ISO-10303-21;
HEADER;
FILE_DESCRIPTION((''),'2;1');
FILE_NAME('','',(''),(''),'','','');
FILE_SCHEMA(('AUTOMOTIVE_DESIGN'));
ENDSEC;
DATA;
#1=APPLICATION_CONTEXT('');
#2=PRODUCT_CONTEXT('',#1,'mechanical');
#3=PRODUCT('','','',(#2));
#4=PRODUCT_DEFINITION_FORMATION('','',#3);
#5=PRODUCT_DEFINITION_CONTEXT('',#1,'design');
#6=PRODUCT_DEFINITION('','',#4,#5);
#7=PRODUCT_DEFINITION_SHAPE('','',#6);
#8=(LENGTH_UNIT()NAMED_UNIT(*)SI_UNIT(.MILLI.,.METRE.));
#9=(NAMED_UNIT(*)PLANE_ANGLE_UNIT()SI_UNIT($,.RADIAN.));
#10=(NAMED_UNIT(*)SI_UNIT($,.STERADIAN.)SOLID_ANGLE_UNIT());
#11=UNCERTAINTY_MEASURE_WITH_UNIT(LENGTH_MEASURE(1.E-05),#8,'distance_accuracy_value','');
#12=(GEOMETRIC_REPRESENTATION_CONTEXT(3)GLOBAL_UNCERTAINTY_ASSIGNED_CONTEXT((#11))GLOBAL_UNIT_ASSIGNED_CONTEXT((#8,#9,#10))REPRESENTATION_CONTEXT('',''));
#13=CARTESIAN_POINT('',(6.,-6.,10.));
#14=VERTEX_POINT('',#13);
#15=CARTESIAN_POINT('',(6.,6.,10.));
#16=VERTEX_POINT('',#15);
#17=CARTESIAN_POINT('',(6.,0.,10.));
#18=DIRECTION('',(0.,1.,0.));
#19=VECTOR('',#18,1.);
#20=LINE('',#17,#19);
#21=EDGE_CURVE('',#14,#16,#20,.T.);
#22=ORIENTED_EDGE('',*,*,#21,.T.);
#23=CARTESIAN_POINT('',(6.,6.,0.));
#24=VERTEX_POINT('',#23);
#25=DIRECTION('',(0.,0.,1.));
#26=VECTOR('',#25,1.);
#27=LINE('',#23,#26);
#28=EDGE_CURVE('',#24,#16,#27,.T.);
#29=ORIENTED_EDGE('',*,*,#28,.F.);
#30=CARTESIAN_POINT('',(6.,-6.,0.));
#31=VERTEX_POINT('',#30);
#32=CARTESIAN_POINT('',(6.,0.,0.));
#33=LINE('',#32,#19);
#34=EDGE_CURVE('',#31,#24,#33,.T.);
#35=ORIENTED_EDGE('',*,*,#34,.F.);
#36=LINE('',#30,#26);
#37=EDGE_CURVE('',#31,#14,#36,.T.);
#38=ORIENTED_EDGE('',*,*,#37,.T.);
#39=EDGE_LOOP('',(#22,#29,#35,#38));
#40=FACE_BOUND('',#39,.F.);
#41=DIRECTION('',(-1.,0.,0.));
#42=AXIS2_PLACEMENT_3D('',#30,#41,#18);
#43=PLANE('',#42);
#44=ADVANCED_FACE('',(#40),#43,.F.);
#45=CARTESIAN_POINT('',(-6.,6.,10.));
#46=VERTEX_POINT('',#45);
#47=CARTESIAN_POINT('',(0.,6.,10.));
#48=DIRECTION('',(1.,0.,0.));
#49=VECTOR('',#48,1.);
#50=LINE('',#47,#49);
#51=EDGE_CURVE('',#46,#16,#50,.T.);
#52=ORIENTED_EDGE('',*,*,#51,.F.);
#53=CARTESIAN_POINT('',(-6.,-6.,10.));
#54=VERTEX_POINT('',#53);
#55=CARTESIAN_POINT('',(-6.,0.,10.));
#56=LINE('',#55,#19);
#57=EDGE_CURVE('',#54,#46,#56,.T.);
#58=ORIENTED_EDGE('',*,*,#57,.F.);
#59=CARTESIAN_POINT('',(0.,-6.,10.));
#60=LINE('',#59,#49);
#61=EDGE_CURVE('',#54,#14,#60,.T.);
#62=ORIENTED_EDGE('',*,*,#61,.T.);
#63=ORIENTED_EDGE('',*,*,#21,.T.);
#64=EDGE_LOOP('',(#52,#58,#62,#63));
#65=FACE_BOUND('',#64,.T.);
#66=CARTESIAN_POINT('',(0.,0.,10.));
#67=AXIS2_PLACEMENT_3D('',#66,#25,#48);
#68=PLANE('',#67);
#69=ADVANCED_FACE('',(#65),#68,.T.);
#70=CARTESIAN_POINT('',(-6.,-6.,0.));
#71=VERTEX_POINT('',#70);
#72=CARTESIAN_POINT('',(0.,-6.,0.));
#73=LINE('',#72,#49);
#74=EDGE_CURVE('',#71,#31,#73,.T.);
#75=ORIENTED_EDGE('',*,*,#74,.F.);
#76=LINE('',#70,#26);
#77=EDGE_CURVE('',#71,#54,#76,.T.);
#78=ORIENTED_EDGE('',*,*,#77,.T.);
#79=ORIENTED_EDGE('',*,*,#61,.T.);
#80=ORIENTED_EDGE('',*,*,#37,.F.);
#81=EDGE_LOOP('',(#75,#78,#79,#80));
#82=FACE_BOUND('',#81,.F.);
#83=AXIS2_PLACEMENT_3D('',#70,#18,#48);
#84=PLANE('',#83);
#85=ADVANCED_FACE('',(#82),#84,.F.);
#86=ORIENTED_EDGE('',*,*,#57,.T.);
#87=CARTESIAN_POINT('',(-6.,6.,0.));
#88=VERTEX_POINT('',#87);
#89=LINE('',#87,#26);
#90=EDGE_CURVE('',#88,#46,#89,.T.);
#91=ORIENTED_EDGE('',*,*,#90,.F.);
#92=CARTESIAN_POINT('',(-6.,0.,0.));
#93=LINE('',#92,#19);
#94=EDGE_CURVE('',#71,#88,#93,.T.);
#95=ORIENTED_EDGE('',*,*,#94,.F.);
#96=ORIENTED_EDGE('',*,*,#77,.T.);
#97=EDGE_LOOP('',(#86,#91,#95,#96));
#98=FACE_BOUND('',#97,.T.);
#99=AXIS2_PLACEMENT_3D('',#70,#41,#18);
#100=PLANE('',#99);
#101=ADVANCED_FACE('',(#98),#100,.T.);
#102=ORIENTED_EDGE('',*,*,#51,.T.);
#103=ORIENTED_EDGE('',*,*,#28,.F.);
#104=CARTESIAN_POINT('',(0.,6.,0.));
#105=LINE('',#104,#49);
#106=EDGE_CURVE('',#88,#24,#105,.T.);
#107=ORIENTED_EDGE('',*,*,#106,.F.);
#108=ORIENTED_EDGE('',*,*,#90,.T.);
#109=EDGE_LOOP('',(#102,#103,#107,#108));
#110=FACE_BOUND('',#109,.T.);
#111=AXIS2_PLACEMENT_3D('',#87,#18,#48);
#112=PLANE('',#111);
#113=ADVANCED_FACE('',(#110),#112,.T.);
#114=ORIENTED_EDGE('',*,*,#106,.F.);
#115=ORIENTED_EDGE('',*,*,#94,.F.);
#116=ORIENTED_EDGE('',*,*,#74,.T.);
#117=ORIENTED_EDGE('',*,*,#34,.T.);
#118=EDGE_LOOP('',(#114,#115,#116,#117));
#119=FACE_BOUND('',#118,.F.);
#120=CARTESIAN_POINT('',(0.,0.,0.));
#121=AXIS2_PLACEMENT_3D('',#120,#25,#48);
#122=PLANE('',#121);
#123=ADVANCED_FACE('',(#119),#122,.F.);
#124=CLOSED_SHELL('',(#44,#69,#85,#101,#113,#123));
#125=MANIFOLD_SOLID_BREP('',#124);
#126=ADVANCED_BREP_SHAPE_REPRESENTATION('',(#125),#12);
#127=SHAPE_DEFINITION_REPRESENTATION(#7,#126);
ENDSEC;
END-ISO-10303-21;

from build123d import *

# Parameters (mm, degrees)
F0_W     = 12
F0_H     = 12
F0_W_2   = 10
F0_H_2   = 10
F1_DEPTH = 10


with BuildPart() as f1:
    # F0 (on Top) → F1 (new body)
    with BuildSketch(Plane.XY):
        Rectangle(F0_W, F0_H)
        Rectangle(F0_W_2, F0_H_2, mode=Mode.SUBTRACT)
        Rectangle(F0_W_2, F0_H_2)
    extrude(amount=F1_DEPTH)


solid = f1.part
